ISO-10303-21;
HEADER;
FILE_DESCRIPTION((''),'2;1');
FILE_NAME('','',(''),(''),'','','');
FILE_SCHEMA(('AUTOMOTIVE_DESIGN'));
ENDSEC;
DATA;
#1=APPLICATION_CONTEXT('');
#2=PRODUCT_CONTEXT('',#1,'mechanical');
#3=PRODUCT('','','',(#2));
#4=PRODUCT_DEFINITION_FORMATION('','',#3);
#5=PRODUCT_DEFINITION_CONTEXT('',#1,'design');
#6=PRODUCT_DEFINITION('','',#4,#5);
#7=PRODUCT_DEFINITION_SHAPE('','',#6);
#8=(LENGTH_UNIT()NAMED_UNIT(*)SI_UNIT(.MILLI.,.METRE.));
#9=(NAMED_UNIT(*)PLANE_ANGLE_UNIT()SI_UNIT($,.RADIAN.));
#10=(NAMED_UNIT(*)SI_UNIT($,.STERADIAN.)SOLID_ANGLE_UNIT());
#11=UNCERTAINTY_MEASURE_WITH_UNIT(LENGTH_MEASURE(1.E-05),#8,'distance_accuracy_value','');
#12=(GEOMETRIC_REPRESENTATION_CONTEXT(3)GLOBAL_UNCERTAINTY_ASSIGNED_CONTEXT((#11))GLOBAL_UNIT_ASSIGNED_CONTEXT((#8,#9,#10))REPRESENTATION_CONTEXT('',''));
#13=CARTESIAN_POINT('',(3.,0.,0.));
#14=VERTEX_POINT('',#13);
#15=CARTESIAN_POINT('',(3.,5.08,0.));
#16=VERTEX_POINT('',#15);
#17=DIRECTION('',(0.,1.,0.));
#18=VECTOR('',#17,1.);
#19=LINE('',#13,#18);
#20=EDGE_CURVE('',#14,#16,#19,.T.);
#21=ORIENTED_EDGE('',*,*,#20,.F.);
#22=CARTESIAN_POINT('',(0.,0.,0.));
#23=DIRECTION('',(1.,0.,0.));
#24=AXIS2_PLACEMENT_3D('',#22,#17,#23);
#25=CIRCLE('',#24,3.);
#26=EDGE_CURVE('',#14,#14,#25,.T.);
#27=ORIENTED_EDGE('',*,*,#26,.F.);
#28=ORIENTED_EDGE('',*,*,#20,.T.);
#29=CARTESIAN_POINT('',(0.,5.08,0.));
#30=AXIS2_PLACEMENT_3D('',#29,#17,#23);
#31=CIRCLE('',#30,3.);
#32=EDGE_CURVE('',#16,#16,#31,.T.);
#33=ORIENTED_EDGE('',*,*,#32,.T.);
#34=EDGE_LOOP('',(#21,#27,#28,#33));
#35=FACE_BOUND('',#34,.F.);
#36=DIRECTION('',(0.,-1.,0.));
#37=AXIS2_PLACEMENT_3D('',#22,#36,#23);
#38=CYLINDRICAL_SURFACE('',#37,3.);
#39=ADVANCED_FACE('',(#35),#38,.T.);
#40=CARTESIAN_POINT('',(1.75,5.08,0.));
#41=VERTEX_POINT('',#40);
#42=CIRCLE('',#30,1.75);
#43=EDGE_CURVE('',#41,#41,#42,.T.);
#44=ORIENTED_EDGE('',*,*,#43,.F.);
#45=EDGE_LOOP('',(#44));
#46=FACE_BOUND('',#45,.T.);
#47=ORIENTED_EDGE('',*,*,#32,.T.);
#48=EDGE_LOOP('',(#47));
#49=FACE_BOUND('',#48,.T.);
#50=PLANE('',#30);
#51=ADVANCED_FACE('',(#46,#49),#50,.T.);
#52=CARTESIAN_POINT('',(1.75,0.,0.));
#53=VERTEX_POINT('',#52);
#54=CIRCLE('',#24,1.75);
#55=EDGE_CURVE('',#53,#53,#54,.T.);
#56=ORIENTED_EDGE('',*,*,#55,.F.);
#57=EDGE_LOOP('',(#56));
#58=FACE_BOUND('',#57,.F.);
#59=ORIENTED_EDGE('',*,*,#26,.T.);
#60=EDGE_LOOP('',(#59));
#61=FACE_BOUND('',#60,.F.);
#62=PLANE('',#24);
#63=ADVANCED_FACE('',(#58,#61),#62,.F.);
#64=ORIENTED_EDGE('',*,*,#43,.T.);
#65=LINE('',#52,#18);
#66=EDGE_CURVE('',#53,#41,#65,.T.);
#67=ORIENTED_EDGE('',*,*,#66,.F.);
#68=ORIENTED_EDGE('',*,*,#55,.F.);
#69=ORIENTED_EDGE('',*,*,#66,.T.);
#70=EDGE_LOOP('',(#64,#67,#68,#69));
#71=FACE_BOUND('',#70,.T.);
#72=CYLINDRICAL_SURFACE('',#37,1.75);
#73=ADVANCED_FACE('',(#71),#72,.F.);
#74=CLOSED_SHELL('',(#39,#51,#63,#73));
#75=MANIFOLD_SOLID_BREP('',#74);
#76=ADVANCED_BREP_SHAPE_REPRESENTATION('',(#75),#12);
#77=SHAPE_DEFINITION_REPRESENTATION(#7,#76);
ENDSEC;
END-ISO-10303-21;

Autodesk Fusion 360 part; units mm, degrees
sketch "Sketch1" plane through (0, 0, 0) normal (0, 1, 0) x (1, 0, 0)
  circle A0 centre (0, 0) radius 1.75
  circle A1 centre (0, 0) radius 3
  dimension "d1" = 3.5
  dimension "d2" = 6
extrude "Extrude1" add sketch "Sketch1" along normal blind 5.08
